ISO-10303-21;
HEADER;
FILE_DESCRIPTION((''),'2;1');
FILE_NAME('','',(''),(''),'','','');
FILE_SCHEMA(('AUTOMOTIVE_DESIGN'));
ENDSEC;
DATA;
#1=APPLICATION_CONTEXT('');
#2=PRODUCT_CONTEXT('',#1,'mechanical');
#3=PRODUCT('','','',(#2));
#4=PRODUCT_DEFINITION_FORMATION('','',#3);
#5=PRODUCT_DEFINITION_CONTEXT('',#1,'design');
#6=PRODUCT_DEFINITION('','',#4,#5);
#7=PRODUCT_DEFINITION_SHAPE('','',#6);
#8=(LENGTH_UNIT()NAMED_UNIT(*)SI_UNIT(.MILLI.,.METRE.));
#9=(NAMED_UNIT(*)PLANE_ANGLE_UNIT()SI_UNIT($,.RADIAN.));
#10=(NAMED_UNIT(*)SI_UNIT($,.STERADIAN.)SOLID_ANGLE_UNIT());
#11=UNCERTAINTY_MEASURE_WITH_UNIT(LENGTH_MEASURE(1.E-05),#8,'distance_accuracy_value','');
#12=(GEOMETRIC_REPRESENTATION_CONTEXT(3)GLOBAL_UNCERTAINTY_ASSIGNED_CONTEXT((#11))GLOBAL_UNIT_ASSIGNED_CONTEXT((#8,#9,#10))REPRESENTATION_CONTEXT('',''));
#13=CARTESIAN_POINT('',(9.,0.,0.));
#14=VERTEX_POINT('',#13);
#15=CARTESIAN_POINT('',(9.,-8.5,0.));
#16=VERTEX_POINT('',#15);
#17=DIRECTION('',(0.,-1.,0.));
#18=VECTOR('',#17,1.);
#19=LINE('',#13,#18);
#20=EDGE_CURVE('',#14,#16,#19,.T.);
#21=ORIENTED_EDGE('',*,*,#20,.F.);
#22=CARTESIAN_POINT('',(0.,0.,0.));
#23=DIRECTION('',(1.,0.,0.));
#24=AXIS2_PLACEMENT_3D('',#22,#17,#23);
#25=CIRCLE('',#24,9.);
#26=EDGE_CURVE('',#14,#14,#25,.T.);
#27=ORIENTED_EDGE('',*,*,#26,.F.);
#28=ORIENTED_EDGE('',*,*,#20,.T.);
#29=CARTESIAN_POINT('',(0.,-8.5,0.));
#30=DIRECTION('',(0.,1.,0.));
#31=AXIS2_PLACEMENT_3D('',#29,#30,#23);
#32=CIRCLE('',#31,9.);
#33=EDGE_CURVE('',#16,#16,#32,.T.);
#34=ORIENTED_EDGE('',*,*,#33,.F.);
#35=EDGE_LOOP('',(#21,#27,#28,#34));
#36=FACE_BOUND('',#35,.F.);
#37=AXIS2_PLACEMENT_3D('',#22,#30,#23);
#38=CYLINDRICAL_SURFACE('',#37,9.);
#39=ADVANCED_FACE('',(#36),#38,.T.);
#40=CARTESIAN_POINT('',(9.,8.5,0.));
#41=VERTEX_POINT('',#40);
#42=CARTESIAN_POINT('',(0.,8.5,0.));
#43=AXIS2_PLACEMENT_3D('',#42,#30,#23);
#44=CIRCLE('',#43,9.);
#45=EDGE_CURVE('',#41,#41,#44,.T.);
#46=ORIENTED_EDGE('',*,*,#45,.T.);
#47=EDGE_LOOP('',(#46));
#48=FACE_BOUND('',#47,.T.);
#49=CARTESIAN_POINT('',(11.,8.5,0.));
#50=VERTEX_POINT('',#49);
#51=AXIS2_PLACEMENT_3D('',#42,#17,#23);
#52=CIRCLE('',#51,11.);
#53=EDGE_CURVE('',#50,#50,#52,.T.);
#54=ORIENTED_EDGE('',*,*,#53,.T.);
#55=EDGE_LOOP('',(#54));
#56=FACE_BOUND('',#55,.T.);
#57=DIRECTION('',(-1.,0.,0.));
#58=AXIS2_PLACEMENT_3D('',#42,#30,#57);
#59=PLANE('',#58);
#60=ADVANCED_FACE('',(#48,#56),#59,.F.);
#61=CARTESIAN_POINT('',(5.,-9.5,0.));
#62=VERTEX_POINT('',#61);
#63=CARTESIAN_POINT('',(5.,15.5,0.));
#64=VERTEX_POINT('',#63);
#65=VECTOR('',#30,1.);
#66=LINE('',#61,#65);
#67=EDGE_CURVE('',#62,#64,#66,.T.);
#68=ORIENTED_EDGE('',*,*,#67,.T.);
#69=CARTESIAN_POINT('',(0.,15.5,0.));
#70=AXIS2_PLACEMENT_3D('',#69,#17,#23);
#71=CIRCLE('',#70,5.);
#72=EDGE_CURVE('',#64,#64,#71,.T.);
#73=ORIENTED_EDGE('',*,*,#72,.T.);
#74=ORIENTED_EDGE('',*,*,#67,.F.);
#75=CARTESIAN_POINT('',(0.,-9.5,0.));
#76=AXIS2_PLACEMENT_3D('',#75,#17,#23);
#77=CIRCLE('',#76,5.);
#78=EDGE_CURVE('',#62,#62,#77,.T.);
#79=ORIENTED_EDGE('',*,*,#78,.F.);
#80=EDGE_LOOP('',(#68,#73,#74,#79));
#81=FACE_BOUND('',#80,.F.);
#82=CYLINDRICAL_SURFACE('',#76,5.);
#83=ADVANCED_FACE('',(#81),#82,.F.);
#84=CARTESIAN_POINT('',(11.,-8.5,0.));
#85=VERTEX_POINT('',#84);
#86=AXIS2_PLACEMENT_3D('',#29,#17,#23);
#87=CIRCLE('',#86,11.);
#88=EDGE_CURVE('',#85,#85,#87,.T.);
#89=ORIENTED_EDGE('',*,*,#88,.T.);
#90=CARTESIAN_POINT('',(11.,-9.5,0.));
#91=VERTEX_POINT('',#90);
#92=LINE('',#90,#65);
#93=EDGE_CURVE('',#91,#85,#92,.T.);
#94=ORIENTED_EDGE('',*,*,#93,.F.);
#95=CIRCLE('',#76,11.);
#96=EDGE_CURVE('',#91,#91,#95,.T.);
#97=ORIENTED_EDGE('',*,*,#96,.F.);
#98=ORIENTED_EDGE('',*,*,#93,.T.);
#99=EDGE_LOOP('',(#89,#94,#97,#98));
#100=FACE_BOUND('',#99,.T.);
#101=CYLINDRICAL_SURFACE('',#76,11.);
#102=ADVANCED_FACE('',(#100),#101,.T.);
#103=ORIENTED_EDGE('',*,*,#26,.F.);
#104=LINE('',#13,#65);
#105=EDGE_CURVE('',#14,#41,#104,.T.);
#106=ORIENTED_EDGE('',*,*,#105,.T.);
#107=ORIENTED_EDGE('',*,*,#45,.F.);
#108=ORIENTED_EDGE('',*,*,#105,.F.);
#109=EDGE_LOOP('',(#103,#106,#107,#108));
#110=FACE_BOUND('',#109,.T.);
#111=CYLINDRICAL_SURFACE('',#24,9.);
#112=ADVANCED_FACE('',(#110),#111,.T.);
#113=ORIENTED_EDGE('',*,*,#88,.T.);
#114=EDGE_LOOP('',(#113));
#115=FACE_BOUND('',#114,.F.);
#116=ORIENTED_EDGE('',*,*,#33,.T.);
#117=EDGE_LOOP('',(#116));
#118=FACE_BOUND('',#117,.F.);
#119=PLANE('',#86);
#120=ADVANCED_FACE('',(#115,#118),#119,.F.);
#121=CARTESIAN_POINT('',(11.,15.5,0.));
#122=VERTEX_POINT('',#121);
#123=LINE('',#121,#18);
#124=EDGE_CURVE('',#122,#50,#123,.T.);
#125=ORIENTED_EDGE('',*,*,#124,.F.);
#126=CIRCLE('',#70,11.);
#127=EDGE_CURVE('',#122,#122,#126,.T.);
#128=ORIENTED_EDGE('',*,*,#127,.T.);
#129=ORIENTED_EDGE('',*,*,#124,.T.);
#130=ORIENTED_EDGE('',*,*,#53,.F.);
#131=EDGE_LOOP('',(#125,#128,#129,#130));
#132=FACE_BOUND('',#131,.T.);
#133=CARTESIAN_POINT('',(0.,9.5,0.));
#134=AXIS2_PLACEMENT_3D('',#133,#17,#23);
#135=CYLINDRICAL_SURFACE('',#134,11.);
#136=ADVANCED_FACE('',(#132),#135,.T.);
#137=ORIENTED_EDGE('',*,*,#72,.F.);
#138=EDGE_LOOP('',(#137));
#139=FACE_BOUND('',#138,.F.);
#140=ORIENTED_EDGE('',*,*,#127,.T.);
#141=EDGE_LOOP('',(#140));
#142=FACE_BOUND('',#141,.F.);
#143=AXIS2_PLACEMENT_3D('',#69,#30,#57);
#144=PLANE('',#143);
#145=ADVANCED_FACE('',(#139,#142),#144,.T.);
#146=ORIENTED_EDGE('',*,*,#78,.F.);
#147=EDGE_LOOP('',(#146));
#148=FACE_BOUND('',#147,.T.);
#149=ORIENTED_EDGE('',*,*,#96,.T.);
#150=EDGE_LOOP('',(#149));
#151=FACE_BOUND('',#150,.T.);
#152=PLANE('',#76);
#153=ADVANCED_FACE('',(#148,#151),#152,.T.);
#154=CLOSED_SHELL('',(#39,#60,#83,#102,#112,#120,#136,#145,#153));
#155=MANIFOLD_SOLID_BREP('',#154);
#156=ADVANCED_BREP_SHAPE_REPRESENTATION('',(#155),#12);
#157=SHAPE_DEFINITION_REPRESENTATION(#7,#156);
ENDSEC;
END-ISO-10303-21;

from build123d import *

# Parameters (mm, degrees)
F0_R     = 9
F1_DEPTH = 9.5
F2_R     = 11
F3_DEPTH = 1
F5_DEPTH = 6
F6_R     = 5
F7_DEPTH = 25


with BuildPart() as f1:
    # F0 (on Front) → F1 (new body)
    with BuildSketch(Plane.XZ):
        Circle(F0_R)
    extrude(amount=F1_DEPTH)

    # F2 (on face) → F3 (join)
    with BuildSketch(Plane.XZ.offset(9.5)):
        Circle(F2_R)
    extrude(amount=-F3_DEPTH)

    # F4: F1 across plane


with BuildPart() as f1_1:
    add(f1.part)
    add(f1.part.mirror(Plane.XZ))

    # F5 (add): a face of the model
    f5_faces = [f1_1.faces().sort_by_distance(p)[0] for p in [
        (0, 9.5, 0),
    ]]
    extrude(f5_faces, amount=F5_DEPTH)

    # F6 (on face) → F7 (cut)
    with BuildSketch(Plane.XZ.offset(9.5)):
        Circle(F6_R)
    extrude(amount=-F7_DEPTH, mode=Mode.SUBTRACT)


solid = f1_1.part
